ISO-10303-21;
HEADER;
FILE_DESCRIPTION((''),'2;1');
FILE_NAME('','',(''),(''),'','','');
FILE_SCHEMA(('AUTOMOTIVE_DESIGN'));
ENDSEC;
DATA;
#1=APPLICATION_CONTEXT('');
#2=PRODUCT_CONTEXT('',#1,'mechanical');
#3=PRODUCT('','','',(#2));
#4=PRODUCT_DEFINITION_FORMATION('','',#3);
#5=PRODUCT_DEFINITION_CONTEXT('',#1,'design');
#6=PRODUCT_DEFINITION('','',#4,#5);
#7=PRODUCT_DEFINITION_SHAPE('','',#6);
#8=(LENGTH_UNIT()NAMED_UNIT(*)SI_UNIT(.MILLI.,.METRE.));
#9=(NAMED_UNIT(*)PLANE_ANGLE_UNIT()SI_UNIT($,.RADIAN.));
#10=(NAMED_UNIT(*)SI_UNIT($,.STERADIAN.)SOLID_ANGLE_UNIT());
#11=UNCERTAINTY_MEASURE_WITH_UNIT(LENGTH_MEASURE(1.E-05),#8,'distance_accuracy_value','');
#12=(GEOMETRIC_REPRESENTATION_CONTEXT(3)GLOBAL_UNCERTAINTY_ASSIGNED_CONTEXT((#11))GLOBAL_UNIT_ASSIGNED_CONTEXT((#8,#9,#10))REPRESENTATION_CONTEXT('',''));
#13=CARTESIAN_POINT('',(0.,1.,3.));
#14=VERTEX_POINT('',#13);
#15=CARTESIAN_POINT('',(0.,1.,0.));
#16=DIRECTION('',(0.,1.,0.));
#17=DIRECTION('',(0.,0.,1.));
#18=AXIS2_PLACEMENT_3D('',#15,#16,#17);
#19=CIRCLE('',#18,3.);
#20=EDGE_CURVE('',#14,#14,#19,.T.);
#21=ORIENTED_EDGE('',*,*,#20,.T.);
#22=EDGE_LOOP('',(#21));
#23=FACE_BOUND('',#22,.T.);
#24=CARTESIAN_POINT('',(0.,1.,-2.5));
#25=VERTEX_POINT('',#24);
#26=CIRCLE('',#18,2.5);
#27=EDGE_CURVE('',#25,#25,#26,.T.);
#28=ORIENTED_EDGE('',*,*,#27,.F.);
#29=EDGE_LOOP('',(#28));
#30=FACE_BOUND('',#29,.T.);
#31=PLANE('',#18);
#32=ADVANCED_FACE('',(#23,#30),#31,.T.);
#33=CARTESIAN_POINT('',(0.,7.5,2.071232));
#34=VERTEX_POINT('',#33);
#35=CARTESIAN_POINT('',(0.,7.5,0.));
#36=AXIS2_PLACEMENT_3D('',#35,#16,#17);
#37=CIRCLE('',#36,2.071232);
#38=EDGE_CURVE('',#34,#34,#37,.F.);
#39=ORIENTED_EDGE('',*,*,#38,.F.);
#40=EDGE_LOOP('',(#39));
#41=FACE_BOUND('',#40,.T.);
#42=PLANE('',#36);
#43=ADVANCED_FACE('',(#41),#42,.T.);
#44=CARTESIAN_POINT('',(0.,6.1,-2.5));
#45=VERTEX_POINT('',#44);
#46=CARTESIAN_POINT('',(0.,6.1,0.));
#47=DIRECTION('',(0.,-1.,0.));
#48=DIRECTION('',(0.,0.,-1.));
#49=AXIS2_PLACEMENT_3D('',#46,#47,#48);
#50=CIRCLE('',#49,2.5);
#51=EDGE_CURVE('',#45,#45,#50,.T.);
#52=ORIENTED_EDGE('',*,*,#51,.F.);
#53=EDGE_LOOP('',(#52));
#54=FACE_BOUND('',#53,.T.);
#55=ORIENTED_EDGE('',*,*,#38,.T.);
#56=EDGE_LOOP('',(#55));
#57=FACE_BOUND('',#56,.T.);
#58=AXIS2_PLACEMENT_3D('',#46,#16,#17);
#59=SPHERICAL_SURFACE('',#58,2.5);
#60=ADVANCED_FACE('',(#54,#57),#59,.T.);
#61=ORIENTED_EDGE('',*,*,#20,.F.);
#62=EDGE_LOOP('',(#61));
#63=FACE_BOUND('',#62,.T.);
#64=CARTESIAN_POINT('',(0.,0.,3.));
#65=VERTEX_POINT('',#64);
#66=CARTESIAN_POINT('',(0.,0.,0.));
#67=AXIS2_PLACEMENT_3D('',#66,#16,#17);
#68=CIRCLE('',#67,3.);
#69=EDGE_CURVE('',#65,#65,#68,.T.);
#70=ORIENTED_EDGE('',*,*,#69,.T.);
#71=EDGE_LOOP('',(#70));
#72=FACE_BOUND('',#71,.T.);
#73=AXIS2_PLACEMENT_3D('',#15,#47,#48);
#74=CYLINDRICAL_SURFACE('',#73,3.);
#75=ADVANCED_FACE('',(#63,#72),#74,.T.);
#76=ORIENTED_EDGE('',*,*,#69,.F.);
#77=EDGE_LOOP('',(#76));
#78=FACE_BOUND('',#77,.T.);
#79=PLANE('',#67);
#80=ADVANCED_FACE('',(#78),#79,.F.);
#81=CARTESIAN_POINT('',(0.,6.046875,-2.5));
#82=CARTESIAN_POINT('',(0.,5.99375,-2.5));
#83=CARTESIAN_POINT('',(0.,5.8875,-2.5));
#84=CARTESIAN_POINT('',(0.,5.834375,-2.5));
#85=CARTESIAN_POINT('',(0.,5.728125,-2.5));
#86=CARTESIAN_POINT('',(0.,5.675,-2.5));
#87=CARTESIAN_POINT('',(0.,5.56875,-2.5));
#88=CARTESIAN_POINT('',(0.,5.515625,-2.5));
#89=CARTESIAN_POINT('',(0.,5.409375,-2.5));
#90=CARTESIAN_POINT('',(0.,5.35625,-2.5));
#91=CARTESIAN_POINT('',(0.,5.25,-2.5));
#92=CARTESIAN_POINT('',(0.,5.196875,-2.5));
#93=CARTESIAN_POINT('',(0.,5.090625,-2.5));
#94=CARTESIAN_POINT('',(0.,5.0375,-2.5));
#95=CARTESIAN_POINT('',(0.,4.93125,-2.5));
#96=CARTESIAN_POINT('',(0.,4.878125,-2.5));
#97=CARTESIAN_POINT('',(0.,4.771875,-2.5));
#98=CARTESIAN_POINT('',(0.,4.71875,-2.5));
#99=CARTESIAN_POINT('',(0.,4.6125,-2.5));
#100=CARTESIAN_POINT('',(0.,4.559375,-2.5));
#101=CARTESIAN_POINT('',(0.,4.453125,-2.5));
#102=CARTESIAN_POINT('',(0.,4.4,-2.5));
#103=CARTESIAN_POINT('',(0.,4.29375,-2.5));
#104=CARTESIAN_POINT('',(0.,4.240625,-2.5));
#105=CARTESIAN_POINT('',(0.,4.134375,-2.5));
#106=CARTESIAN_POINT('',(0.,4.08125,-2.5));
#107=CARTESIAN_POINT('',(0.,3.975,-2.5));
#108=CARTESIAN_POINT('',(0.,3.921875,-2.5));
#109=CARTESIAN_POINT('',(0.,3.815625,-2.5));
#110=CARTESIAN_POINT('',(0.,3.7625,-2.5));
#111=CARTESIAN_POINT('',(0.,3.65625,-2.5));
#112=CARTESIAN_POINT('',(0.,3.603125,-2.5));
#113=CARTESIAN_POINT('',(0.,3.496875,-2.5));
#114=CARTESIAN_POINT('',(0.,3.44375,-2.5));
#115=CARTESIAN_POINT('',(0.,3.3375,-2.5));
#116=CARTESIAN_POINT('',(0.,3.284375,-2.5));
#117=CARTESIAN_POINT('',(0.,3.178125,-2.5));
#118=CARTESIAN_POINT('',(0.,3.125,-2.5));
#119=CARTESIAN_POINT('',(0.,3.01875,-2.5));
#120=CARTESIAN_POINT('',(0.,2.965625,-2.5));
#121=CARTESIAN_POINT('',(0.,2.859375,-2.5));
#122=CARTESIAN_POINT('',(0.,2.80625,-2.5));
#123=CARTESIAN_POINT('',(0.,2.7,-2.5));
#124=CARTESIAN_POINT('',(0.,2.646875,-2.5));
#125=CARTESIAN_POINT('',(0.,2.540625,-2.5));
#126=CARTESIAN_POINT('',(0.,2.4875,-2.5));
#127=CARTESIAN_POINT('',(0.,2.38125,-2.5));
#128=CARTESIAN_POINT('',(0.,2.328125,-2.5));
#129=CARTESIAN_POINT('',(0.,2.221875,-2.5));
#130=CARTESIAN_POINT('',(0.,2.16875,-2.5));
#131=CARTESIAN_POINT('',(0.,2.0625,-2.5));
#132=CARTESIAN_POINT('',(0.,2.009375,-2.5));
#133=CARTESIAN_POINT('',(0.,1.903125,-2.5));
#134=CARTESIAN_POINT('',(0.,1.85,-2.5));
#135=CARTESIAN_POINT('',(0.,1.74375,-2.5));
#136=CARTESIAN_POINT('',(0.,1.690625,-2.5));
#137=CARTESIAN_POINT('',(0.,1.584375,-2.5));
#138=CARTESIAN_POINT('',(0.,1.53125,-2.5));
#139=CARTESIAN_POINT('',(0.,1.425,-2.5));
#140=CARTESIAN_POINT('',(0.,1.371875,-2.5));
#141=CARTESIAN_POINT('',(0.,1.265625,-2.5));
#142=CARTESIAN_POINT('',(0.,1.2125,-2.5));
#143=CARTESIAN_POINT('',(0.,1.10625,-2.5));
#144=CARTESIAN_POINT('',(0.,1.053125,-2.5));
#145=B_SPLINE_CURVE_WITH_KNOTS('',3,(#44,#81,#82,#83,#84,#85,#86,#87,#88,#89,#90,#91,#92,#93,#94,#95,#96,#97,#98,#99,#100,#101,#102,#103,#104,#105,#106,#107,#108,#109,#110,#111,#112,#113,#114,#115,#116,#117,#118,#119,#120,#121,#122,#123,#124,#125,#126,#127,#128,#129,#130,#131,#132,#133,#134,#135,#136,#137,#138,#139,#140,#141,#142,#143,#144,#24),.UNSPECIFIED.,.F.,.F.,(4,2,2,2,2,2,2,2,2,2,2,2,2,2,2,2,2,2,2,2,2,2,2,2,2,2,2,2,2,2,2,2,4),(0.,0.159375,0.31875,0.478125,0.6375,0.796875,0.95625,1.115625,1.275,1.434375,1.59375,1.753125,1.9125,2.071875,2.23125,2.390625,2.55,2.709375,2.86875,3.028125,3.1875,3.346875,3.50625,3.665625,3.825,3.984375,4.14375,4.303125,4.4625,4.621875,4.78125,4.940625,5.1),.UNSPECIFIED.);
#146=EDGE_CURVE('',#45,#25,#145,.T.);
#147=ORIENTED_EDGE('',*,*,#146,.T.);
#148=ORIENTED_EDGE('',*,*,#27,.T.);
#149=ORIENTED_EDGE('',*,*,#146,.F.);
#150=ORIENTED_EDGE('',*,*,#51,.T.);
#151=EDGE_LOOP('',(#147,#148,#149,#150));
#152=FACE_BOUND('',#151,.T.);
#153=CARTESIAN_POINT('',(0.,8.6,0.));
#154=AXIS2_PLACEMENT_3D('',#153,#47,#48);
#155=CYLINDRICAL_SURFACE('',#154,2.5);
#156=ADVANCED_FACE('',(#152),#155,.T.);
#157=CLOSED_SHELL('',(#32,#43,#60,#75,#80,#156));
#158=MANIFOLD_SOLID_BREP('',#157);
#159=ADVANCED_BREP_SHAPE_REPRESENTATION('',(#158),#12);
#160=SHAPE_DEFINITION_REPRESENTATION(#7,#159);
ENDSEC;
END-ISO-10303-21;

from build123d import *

# Parameters (mm, degrees)
SKETCH_1_R          = 3
EXTRUDE_1_DEPTH     = 1
SKETCH_2_R          = 2.5
EXTRUDE_2_DEPTH     = 7.6
FILLET_1_R          = 2.5
SKETCH_4_R          = 2.556662668
CUT_EXTRUDE_1_DEPTH = 1.1


with BuildPart() as part:
    # Эскиз1 → Бобышка-Вытянуть1 (new body)
    with BuildSketch(Plane(origin=(0, 0, 0), x_dir=(1, 0, 0), z_dir=(0, 1, 0))):
        with Locations(Location((0, 0, 0), (0, 0, 270))):
            Circle(SKETCH_1_R)
    extrude(amount=EXTRUDE_1_DEPTH)

    # Эскиз2 → Бобышка-Вытянуть2 (add)
    with BuildSketch(Plane(origin=(0, 1, 0), x_dir=(1, 0, 0), z_dir=(0, 1, 0))):
        with Locations(Location((0, 0, 0), (0, 0, 90))):
            Circle(SKETCH_2_R)
    extrude(amount=EXTRUDE_2_DEPTH)

    # Скругление1
    fillet_1_edges = [part.edges().sort_by_distance(p)[0] for p in [
        (0, 8.6, 2.5),
    ]]
    fillet(fillet_1_edges, radius=FILLET_1_R)

    # Эскиз4 → Вырез-Вытянуть1 (cut)
    with BuildSketch(Plane(origin=(0, 8.6, 0), x_dir=(1, 0, 0), z_dir=(0, 1, 0))):
        Circle(SKETCH_4_R)
    extrude(amount=-CUT_EXTRUDE_1_DEPTH, mode=Mode.SUBTRACT)


solid = part.part
